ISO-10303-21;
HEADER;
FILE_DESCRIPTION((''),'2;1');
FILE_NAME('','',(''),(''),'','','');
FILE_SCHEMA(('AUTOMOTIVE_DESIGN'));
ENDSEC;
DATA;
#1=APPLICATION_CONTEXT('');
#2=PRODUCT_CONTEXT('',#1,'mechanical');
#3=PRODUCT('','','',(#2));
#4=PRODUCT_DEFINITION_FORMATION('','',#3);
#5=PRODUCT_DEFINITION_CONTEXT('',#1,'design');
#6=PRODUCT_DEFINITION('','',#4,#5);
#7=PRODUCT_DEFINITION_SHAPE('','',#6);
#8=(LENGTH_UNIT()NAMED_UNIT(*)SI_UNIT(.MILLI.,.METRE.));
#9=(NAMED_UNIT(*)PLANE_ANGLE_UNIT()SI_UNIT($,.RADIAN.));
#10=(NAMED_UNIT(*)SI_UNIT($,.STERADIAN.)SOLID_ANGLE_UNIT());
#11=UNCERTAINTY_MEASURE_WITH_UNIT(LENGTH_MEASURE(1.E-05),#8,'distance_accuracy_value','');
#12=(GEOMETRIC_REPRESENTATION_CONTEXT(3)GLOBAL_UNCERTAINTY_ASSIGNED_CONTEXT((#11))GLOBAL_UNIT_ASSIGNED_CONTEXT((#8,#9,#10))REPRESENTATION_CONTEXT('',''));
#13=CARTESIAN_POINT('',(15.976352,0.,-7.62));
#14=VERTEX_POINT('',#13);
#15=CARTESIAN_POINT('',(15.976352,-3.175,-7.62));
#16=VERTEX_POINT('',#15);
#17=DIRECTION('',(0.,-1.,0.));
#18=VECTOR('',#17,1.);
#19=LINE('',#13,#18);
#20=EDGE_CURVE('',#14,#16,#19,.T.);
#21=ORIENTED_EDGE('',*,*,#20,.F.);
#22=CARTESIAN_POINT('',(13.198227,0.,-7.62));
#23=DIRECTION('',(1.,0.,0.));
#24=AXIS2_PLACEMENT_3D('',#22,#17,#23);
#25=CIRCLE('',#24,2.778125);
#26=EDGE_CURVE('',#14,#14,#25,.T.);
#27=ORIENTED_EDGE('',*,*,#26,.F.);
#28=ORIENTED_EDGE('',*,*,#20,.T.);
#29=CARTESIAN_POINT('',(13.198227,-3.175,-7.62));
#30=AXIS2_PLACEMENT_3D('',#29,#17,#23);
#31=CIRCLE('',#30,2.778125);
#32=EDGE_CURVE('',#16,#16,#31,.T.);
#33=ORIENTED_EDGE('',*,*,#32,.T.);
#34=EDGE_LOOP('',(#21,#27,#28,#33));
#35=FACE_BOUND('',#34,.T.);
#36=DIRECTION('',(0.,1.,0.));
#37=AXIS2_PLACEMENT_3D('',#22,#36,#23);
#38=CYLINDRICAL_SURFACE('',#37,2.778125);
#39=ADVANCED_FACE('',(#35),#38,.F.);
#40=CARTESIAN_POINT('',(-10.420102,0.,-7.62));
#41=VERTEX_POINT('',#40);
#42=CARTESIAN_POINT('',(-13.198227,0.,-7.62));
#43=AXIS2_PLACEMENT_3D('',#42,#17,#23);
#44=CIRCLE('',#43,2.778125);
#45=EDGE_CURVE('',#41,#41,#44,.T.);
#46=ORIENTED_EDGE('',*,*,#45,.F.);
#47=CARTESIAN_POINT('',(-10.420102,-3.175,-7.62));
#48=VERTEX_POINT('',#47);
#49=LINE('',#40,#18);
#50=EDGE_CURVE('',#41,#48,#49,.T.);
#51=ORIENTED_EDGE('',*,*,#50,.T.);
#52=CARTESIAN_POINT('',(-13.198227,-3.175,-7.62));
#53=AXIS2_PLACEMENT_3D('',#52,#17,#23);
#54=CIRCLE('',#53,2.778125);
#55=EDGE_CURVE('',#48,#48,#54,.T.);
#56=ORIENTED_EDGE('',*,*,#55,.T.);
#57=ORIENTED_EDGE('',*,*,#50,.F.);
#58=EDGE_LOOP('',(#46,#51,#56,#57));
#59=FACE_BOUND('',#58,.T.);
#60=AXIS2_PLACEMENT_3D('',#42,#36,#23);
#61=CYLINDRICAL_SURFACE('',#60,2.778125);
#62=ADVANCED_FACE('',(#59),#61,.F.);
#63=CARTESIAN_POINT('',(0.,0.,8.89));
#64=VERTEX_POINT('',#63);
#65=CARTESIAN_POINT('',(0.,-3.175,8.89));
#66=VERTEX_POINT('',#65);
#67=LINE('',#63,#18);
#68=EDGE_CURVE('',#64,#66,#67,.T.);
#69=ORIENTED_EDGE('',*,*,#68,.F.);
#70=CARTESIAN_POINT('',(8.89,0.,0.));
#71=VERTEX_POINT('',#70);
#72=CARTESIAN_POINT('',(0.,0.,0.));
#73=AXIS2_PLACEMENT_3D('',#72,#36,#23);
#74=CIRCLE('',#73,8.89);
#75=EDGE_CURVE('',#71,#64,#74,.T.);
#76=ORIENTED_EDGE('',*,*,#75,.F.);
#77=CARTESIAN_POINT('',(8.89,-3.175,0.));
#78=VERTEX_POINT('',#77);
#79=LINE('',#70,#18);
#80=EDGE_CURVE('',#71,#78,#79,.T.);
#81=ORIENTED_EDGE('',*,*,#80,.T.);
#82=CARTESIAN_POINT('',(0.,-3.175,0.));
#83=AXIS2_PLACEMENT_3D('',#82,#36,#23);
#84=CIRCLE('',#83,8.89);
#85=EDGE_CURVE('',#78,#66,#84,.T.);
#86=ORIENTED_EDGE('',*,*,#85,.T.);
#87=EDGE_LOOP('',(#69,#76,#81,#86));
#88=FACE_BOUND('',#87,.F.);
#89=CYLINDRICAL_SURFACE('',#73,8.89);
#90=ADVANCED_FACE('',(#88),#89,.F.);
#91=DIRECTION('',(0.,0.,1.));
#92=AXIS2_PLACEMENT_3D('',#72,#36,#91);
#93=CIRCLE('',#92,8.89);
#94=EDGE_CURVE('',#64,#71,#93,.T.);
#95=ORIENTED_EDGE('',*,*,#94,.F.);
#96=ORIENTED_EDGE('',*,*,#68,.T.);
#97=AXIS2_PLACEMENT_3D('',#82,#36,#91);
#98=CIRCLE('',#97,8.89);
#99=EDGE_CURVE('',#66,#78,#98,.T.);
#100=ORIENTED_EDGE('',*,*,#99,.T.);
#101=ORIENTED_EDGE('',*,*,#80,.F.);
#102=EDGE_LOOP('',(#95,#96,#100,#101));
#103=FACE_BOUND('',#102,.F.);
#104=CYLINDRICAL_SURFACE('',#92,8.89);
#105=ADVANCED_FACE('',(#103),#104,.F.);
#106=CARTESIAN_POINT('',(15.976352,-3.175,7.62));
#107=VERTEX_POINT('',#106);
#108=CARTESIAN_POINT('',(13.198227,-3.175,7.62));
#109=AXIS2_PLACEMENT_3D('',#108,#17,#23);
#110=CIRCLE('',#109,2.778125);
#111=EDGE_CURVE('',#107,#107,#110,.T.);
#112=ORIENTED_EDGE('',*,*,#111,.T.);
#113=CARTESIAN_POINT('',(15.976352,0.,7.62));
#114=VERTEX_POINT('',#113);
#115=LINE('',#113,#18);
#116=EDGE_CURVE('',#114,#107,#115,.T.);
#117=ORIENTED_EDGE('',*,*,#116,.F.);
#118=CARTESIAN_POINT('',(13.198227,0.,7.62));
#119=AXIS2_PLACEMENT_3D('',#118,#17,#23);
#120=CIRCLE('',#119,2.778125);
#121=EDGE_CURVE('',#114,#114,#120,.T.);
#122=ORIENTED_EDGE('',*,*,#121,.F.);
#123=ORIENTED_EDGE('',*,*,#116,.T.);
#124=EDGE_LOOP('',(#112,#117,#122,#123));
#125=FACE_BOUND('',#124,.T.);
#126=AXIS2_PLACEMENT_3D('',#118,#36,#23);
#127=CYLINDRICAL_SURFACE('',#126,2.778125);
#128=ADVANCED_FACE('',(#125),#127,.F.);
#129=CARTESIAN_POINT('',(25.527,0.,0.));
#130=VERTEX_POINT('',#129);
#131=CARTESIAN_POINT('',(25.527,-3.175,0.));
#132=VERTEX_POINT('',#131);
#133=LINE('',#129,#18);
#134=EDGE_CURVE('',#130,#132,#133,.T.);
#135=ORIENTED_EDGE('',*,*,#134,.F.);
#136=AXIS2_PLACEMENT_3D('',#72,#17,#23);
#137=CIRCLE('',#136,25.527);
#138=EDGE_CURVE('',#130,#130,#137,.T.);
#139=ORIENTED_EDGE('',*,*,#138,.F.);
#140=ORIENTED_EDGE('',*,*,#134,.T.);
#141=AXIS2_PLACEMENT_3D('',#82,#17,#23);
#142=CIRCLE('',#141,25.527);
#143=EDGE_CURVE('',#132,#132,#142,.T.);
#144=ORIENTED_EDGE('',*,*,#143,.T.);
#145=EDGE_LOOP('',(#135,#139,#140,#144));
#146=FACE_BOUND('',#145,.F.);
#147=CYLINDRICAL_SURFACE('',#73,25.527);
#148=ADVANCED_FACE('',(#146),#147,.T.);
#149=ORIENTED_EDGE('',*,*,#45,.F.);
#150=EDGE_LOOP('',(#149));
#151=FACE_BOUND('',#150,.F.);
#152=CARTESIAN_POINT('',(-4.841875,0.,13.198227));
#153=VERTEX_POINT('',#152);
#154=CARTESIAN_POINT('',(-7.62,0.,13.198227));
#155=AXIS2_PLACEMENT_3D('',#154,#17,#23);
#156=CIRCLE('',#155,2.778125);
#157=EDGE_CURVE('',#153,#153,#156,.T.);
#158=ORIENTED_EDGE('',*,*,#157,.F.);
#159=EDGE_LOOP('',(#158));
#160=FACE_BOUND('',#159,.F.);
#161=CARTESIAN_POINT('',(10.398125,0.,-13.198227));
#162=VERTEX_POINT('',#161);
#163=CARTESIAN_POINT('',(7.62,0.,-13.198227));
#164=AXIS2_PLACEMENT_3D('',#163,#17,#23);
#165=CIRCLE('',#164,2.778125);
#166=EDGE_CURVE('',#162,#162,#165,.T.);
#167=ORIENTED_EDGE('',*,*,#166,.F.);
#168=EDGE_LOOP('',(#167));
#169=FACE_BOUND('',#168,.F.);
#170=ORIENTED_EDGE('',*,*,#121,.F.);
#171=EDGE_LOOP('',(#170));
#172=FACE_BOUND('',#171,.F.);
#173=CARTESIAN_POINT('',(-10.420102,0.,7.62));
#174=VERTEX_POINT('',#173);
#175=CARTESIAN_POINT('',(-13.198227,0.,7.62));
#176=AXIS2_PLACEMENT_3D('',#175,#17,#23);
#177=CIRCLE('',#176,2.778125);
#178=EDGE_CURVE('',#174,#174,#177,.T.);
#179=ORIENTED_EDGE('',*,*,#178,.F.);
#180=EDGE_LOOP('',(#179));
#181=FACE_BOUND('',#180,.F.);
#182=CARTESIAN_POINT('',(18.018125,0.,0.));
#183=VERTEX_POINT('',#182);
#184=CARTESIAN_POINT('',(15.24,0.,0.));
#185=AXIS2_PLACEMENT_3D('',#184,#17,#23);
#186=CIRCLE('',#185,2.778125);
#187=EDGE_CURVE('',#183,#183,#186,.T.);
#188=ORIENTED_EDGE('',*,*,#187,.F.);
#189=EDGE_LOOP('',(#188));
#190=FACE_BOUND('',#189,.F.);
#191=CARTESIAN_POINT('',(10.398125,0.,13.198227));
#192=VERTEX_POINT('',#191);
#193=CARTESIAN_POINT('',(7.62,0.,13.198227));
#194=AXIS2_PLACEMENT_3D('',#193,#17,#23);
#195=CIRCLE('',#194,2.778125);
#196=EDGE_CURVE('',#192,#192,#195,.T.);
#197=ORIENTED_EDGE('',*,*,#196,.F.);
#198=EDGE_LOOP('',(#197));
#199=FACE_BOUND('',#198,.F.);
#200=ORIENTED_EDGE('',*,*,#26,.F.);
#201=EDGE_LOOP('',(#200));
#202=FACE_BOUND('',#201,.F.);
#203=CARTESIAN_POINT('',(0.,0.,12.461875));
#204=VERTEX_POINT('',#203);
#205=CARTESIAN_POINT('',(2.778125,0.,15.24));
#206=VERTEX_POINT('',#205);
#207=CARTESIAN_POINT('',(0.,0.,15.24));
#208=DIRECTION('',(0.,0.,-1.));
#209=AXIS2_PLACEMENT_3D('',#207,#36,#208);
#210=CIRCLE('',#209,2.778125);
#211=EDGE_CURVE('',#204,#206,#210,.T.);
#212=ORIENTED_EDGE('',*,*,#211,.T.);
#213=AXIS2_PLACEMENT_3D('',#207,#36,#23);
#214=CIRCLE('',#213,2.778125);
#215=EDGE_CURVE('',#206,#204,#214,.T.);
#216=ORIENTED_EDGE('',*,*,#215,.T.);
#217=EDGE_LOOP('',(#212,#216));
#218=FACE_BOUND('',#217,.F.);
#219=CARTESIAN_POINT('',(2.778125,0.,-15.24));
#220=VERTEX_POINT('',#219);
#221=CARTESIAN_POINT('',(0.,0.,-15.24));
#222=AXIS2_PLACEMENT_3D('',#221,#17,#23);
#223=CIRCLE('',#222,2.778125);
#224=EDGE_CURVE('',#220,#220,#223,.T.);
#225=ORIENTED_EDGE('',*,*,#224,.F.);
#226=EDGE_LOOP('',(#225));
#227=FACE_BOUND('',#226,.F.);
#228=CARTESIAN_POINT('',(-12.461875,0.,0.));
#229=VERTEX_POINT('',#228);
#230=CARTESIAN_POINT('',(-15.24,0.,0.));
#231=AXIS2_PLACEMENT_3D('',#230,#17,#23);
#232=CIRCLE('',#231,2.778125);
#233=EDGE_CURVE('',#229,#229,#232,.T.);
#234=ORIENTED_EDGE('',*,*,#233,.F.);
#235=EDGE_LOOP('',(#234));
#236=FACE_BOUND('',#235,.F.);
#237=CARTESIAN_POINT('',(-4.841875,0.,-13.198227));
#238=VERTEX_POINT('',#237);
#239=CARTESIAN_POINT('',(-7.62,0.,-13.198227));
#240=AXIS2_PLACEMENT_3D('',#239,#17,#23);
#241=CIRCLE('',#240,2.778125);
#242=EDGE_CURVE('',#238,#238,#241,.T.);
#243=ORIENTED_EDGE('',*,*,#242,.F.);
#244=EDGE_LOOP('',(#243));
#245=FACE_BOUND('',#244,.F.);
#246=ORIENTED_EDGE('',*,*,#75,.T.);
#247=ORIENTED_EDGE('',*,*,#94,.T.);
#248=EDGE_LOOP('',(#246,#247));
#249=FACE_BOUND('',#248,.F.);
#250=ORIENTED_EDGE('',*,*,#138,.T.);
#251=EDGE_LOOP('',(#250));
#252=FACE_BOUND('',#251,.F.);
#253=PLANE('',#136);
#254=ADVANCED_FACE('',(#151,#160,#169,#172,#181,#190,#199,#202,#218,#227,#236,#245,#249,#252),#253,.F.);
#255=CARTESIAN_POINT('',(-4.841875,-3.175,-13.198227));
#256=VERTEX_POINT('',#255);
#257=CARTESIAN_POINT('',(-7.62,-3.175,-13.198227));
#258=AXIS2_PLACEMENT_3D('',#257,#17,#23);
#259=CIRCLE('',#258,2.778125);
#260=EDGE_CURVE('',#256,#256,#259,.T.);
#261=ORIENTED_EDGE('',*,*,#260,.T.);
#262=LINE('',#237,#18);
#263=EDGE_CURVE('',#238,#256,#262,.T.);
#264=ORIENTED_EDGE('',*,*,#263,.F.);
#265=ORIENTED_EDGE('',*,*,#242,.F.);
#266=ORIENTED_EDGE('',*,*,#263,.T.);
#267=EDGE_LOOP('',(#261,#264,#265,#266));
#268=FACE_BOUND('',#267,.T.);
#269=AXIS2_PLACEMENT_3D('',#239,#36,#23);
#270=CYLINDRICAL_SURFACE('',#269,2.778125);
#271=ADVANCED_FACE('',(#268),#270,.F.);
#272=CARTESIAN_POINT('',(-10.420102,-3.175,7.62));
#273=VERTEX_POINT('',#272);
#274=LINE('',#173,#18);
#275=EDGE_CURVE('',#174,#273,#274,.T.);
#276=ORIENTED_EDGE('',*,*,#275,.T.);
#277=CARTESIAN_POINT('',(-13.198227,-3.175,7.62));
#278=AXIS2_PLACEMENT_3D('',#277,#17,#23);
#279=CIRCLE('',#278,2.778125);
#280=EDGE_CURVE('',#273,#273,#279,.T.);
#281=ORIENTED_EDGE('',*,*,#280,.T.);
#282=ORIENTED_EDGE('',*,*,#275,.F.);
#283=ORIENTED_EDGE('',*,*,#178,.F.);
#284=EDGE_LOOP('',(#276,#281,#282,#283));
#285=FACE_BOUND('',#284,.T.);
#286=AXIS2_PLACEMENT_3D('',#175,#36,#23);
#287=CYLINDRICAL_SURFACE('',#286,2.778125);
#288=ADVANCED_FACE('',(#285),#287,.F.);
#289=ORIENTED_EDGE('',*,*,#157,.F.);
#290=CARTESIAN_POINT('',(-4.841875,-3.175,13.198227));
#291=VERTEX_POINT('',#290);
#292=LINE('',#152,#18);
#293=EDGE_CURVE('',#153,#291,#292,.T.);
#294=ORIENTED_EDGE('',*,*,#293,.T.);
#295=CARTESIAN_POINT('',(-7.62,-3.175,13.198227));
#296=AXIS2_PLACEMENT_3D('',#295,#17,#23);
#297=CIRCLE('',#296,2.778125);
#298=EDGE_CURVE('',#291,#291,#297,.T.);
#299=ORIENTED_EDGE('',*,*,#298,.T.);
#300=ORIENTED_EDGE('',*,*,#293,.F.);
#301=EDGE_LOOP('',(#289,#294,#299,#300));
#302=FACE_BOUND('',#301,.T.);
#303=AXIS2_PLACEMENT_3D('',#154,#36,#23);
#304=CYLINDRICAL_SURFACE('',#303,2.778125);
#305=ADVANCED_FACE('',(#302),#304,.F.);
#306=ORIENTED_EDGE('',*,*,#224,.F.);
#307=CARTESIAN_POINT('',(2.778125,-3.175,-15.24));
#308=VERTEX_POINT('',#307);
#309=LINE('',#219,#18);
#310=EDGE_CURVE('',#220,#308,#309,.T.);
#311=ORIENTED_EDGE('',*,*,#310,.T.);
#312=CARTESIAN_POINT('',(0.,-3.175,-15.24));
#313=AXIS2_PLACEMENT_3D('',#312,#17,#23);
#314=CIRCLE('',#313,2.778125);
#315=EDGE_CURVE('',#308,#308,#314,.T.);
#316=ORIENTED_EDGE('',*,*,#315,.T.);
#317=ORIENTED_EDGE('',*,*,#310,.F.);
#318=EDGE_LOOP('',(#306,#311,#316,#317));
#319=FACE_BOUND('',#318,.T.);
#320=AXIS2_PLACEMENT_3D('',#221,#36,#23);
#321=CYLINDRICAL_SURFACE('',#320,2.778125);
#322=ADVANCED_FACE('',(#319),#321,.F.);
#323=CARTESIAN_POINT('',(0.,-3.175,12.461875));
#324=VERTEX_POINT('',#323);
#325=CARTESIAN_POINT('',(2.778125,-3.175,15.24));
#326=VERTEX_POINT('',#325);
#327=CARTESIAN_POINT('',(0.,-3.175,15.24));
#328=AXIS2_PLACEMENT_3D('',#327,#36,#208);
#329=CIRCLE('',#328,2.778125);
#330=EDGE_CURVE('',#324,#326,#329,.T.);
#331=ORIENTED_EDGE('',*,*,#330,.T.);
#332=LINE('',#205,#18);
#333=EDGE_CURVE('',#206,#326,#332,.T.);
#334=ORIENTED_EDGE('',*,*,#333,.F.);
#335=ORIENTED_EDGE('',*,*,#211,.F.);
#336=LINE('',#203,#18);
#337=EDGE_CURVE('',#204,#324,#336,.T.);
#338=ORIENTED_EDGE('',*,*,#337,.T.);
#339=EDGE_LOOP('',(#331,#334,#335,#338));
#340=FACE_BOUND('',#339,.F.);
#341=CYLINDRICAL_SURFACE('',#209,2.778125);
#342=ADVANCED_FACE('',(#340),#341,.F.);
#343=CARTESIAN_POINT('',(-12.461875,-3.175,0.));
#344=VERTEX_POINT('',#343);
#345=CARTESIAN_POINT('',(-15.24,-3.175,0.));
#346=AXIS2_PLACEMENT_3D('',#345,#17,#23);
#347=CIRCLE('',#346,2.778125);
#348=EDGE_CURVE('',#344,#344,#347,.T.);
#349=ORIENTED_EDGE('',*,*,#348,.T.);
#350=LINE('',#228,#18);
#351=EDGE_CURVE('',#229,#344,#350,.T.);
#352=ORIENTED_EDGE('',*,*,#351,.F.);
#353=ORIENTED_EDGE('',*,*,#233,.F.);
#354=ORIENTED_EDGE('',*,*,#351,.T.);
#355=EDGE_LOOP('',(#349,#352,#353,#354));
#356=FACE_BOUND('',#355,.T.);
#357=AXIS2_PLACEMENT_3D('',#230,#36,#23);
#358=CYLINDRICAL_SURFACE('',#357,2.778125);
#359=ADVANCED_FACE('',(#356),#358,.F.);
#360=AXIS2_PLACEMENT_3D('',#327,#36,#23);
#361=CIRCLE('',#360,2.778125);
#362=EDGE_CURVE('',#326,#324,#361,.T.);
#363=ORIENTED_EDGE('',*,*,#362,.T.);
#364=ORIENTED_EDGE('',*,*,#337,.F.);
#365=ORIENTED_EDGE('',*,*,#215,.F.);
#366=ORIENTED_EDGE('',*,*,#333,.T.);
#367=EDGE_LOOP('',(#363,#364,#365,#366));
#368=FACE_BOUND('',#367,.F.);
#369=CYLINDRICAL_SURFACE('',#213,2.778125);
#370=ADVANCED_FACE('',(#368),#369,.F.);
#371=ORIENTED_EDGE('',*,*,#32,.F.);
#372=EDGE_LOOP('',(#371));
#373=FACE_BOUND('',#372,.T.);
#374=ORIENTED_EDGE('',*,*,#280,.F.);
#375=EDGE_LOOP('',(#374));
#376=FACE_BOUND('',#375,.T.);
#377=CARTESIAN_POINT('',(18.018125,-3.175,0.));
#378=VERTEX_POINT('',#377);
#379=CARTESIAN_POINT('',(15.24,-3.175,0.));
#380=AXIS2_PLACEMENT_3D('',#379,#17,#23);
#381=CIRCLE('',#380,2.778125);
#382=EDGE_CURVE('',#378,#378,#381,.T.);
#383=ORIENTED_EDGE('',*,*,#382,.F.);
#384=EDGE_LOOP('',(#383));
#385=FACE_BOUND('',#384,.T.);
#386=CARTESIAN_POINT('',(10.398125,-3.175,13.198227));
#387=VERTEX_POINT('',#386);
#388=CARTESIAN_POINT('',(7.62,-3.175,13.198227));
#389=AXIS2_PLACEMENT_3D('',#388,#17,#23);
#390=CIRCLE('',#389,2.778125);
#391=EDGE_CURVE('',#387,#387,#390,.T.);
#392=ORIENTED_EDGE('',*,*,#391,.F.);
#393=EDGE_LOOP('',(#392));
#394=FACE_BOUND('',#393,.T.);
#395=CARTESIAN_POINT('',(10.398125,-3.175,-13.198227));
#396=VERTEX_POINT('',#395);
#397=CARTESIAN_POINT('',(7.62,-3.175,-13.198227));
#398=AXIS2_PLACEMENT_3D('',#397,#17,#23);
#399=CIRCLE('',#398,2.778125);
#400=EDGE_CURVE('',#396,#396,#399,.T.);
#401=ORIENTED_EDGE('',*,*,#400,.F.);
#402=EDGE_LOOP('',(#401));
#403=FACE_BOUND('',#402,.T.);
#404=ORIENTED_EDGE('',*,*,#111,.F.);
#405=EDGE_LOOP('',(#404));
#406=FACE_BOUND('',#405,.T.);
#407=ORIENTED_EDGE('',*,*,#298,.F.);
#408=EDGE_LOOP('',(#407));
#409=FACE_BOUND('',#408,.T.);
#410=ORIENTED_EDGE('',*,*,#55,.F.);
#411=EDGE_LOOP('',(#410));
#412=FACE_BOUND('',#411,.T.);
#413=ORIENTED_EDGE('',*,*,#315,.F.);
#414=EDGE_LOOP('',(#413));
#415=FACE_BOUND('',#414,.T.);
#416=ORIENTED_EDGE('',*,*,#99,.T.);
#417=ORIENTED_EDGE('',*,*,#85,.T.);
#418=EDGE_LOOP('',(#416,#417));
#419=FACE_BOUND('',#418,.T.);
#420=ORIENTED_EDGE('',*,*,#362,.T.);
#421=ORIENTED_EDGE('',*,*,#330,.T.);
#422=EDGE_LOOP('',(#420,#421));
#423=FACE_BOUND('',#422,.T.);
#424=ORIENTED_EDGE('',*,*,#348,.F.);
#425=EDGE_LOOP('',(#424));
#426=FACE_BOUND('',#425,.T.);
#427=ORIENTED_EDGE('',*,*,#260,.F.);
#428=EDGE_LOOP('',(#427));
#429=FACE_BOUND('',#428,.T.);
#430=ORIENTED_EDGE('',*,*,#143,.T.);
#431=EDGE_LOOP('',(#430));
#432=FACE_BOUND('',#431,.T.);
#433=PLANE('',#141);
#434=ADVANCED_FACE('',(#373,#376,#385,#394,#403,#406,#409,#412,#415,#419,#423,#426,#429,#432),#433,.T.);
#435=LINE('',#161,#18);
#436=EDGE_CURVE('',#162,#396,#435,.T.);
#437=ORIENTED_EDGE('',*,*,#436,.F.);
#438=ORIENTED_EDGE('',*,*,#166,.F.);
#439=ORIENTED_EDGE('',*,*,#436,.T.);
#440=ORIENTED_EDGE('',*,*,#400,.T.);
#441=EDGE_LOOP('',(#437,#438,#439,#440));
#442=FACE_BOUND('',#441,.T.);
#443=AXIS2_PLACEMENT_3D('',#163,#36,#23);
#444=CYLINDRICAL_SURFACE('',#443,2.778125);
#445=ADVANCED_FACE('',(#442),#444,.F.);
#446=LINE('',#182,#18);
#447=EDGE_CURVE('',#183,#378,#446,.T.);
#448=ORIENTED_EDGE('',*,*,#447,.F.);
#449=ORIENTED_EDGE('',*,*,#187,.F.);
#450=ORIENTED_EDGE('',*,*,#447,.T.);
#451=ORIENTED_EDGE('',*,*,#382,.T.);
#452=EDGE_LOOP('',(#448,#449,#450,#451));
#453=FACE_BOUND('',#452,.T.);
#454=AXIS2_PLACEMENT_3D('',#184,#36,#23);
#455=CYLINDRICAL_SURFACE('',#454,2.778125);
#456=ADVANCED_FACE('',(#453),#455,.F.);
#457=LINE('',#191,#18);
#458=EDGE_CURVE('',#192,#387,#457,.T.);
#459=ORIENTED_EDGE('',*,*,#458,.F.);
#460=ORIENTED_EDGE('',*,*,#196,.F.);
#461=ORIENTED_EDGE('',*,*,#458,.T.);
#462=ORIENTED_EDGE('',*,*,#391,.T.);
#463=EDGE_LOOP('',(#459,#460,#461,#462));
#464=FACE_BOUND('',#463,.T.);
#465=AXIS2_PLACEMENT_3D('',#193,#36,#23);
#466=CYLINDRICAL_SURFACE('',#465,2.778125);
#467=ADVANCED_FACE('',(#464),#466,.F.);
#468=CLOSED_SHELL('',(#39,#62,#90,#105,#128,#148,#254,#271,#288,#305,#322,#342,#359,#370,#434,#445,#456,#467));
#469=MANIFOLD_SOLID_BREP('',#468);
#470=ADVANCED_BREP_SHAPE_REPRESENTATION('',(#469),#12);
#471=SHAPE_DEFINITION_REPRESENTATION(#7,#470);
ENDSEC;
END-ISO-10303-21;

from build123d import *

# Parameters (mm, degrees)
F0_R     = 25.527
F0_R_2   = 2.778125
F1_DEPTH = 3.175


with BuildPart() as f1:
    # F0 (on Front) → F1 (new body)
    with BuildSketch(Plane.XZ):
        Circle(F0_R)
        with Locations((-7.62, -13.1982271537)):
            Circle(F0_R_2, mode=Mode.SUBTRACT)
        with Locations((-13.1982271537, -7.62)):
            Circle(F0_R_2, mode=Mode.SUBTRACT)
        with Locations((0, -15.24)):
            Circle(F0_R_2, mode=Mode.SUBTRACT)
        with Locations((7.62, -13.1982271537)):
            Circle(F0_R_2, mode=Mode.SUBTRACT)
        with Locations((13.1982271537, -7.62)):
            Circle(F0_R_2, mode=Mode.SUBTRACT)
        with Locations((-15.24, 0)):
            Circle(F0_R_2, mode=Mode.SUBTRACT)
        with Locations((-13.1982271537, 7.62)):
            Circle(F0_R_2, mode=Mode.SUBTRACT)
        with Locations((-7.62, 13.1982271537)):
            Circle(F0_R_2, mode=Mode.SUBTRACT)
        with BuildLine():
            ThreePointArc((8.89, 0), (-6.2861792847, -6.2861792847), (0, 8.89))
            ThreePointArc((0, 8.89), (6.2861792847, 6.2861792847), (8.89, 0))
        make_face(mode=Mode.SUBTRACT)
        with Locations((15.24, 0)):
            Circle(F0_R_2, mode=Mode.SUBTRACT)
        with Locations((13.1982271537, 7.62)):
            Circle(F0_R_2, mode=Mode.SUBTRACT)
        with BuildLine():
            ThreePointArc((0, 12.461875), (-1.9644310265, 17.2044310265), (2.778125, 15.24))
            ThreePointArc((2.778125, 15.24), (1.9644310265, 13.2755689735), (0, 12.461875))
        make_face(mode=Mode.SUBTRACT)
        with Locations((7.62, 13.1982271537)):
            Circle(F0_R_2, mode=Mode.SUBTRACT)
    extrude(amount=F1_DEPTH)


solid = f1.part
